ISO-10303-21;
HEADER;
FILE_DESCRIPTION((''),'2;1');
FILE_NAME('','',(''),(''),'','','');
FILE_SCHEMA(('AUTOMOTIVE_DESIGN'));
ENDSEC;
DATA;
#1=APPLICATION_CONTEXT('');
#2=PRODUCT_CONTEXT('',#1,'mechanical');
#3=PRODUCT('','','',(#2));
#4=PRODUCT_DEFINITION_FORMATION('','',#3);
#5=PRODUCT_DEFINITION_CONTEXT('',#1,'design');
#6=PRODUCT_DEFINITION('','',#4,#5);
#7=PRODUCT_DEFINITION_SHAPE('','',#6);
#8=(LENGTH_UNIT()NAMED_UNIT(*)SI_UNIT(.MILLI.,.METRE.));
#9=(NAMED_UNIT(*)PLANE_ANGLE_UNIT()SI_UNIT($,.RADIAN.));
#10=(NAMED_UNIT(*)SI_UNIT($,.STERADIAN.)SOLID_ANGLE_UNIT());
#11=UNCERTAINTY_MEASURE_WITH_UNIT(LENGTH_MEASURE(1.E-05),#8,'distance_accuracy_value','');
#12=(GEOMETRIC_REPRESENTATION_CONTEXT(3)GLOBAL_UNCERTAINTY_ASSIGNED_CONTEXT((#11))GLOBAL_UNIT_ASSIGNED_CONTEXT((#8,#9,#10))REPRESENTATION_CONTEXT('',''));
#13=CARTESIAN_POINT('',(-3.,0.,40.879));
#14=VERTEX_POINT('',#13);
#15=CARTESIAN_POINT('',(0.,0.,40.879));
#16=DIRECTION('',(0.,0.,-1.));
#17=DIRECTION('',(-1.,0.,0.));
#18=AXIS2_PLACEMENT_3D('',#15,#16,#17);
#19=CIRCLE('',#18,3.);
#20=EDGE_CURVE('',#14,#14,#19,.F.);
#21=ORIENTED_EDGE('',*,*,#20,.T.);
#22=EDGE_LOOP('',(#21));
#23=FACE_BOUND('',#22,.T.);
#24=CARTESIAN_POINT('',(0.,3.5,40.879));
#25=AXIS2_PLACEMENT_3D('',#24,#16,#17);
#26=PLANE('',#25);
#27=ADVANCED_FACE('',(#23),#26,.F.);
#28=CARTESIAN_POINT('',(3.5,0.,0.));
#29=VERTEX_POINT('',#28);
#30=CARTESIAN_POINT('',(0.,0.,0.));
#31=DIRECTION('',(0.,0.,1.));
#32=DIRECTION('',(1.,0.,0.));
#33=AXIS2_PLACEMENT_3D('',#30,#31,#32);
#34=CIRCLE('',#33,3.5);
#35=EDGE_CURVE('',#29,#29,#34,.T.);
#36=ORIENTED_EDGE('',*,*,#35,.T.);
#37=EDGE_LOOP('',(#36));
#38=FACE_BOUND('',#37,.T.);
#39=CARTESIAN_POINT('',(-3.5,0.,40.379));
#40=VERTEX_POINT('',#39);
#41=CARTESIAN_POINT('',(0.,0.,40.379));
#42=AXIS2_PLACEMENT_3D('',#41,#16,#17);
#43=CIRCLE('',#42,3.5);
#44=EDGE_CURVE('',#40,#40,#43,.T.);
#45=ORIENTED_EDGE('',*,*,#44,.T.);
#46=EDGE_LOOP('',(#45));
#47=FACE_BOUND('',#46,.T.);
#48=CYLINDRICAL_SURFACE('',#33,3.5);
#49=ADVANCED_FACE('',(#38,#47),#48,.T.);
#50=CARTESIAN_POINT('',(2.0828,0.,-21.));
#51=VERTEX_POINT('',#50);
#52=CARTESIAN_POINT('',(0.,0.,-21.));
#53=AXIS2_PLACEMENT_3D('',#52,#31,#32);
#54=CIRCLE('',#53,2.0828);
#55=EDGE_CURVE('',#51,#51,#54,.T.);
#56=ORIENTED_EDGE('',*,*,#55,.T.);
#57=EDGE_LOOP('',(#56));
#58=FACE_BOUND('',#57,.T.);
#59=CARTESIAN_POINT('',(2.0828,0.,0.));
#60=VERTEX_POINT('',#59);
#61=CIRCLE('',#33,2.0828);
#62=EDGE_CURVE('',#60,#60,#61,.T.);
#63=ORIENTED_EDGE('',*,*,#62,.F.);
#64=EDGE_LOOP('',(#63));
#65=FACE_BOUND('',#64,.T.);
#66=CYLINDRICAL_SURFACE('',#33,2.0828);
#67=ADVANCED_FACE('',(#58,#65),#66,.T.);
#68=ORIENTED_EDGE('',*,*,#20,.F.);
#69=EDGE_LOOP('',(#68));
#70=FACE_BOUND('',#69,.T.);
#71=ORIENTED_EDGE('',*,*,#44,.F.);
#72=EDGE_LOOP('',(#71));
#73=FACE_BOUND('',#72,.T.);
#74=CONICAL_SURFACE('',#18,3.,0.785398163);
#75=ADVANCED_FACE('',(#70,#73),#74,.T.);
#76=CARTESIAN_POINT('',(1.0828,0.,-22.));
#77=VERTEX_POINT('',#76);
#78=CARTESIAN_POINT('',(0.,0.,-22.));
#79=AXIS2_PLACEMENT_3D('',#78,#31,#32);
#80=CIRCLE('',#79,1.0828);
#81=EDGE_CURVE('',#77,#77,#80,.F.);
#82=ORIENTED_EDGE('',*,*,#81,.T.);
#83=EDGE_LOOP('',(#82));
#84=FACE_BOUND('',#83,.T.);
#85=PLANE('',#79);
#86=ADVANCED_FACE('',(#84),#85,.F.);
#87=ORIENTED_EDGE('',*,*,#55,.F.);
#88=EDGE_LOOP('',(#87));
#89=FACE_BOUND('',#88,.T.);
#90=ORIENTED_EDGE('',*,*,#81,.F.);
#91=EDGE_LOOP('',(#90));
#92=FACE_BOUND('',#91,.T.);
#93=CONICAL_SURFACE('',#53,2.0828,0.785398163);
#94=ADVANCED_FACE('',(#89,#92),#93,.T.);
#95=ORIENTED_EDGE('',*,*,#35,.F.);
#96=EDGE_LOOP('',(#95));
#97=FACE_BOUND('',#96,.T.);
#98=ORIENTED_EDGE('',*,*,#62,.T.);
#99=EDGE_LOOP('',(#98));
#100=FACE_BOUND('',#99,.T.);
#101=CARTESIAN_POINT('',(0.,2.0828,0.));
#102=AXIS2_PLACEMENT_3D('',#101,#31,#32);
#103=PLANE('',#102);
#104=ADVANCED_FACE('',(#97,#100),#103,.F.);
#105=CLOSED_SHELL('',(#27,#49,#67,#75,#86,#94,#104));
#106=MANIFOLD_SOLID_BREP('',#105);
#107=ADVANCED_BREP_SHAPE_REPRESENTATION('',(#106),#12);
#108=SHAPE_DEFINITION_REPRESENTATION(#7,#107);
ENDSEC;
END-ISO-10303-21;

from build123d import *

# Parameters (mm, degrees)
CHAMFER1_SIZE = 1
CHAMFER2_SIZE = 0.5


with BuildPart() as part:
    # Sketch1 → Revolve1 (revolve)
    with BuildSketch(Plane(origin=(0, 0, 0), x_dir=(0, 0, -1), z_dir=(1, 0, 0)), mode=Mode.PRIVATE) as revolve1_sk:
        Polygon((22, 0), (22, 2.0828), (0, 2.0828), (0, 3.5), (-40.879, 3.5), (-40.879, 0), align=None)
    revolve(revolve1_sk.sketch.rotate(Axis((0, 0, 0), (0, 0, -1)), 90), axis=Axis((0, 0, 0), (0, 0, -1)))  # turned: the seam where the file's is

    # Chamfer1
    chamfer1_edges = [part.edges().sort_by_distance(p)[0] for p in [
        (-2.0828, 0, -22),
    ]]
    chamfer(chamfer1_edges, length=CHAMFER1_SIZE)

    # Chamfer2
    chamfer2_edges = [part.edges().sort_by_distance(p)[0] for p in [
        (-3.5, 0, 40.879),
    ]]
    chamfer(chamfer2_edges, length=CHAMFER2_SIZE)


solid = part.part
